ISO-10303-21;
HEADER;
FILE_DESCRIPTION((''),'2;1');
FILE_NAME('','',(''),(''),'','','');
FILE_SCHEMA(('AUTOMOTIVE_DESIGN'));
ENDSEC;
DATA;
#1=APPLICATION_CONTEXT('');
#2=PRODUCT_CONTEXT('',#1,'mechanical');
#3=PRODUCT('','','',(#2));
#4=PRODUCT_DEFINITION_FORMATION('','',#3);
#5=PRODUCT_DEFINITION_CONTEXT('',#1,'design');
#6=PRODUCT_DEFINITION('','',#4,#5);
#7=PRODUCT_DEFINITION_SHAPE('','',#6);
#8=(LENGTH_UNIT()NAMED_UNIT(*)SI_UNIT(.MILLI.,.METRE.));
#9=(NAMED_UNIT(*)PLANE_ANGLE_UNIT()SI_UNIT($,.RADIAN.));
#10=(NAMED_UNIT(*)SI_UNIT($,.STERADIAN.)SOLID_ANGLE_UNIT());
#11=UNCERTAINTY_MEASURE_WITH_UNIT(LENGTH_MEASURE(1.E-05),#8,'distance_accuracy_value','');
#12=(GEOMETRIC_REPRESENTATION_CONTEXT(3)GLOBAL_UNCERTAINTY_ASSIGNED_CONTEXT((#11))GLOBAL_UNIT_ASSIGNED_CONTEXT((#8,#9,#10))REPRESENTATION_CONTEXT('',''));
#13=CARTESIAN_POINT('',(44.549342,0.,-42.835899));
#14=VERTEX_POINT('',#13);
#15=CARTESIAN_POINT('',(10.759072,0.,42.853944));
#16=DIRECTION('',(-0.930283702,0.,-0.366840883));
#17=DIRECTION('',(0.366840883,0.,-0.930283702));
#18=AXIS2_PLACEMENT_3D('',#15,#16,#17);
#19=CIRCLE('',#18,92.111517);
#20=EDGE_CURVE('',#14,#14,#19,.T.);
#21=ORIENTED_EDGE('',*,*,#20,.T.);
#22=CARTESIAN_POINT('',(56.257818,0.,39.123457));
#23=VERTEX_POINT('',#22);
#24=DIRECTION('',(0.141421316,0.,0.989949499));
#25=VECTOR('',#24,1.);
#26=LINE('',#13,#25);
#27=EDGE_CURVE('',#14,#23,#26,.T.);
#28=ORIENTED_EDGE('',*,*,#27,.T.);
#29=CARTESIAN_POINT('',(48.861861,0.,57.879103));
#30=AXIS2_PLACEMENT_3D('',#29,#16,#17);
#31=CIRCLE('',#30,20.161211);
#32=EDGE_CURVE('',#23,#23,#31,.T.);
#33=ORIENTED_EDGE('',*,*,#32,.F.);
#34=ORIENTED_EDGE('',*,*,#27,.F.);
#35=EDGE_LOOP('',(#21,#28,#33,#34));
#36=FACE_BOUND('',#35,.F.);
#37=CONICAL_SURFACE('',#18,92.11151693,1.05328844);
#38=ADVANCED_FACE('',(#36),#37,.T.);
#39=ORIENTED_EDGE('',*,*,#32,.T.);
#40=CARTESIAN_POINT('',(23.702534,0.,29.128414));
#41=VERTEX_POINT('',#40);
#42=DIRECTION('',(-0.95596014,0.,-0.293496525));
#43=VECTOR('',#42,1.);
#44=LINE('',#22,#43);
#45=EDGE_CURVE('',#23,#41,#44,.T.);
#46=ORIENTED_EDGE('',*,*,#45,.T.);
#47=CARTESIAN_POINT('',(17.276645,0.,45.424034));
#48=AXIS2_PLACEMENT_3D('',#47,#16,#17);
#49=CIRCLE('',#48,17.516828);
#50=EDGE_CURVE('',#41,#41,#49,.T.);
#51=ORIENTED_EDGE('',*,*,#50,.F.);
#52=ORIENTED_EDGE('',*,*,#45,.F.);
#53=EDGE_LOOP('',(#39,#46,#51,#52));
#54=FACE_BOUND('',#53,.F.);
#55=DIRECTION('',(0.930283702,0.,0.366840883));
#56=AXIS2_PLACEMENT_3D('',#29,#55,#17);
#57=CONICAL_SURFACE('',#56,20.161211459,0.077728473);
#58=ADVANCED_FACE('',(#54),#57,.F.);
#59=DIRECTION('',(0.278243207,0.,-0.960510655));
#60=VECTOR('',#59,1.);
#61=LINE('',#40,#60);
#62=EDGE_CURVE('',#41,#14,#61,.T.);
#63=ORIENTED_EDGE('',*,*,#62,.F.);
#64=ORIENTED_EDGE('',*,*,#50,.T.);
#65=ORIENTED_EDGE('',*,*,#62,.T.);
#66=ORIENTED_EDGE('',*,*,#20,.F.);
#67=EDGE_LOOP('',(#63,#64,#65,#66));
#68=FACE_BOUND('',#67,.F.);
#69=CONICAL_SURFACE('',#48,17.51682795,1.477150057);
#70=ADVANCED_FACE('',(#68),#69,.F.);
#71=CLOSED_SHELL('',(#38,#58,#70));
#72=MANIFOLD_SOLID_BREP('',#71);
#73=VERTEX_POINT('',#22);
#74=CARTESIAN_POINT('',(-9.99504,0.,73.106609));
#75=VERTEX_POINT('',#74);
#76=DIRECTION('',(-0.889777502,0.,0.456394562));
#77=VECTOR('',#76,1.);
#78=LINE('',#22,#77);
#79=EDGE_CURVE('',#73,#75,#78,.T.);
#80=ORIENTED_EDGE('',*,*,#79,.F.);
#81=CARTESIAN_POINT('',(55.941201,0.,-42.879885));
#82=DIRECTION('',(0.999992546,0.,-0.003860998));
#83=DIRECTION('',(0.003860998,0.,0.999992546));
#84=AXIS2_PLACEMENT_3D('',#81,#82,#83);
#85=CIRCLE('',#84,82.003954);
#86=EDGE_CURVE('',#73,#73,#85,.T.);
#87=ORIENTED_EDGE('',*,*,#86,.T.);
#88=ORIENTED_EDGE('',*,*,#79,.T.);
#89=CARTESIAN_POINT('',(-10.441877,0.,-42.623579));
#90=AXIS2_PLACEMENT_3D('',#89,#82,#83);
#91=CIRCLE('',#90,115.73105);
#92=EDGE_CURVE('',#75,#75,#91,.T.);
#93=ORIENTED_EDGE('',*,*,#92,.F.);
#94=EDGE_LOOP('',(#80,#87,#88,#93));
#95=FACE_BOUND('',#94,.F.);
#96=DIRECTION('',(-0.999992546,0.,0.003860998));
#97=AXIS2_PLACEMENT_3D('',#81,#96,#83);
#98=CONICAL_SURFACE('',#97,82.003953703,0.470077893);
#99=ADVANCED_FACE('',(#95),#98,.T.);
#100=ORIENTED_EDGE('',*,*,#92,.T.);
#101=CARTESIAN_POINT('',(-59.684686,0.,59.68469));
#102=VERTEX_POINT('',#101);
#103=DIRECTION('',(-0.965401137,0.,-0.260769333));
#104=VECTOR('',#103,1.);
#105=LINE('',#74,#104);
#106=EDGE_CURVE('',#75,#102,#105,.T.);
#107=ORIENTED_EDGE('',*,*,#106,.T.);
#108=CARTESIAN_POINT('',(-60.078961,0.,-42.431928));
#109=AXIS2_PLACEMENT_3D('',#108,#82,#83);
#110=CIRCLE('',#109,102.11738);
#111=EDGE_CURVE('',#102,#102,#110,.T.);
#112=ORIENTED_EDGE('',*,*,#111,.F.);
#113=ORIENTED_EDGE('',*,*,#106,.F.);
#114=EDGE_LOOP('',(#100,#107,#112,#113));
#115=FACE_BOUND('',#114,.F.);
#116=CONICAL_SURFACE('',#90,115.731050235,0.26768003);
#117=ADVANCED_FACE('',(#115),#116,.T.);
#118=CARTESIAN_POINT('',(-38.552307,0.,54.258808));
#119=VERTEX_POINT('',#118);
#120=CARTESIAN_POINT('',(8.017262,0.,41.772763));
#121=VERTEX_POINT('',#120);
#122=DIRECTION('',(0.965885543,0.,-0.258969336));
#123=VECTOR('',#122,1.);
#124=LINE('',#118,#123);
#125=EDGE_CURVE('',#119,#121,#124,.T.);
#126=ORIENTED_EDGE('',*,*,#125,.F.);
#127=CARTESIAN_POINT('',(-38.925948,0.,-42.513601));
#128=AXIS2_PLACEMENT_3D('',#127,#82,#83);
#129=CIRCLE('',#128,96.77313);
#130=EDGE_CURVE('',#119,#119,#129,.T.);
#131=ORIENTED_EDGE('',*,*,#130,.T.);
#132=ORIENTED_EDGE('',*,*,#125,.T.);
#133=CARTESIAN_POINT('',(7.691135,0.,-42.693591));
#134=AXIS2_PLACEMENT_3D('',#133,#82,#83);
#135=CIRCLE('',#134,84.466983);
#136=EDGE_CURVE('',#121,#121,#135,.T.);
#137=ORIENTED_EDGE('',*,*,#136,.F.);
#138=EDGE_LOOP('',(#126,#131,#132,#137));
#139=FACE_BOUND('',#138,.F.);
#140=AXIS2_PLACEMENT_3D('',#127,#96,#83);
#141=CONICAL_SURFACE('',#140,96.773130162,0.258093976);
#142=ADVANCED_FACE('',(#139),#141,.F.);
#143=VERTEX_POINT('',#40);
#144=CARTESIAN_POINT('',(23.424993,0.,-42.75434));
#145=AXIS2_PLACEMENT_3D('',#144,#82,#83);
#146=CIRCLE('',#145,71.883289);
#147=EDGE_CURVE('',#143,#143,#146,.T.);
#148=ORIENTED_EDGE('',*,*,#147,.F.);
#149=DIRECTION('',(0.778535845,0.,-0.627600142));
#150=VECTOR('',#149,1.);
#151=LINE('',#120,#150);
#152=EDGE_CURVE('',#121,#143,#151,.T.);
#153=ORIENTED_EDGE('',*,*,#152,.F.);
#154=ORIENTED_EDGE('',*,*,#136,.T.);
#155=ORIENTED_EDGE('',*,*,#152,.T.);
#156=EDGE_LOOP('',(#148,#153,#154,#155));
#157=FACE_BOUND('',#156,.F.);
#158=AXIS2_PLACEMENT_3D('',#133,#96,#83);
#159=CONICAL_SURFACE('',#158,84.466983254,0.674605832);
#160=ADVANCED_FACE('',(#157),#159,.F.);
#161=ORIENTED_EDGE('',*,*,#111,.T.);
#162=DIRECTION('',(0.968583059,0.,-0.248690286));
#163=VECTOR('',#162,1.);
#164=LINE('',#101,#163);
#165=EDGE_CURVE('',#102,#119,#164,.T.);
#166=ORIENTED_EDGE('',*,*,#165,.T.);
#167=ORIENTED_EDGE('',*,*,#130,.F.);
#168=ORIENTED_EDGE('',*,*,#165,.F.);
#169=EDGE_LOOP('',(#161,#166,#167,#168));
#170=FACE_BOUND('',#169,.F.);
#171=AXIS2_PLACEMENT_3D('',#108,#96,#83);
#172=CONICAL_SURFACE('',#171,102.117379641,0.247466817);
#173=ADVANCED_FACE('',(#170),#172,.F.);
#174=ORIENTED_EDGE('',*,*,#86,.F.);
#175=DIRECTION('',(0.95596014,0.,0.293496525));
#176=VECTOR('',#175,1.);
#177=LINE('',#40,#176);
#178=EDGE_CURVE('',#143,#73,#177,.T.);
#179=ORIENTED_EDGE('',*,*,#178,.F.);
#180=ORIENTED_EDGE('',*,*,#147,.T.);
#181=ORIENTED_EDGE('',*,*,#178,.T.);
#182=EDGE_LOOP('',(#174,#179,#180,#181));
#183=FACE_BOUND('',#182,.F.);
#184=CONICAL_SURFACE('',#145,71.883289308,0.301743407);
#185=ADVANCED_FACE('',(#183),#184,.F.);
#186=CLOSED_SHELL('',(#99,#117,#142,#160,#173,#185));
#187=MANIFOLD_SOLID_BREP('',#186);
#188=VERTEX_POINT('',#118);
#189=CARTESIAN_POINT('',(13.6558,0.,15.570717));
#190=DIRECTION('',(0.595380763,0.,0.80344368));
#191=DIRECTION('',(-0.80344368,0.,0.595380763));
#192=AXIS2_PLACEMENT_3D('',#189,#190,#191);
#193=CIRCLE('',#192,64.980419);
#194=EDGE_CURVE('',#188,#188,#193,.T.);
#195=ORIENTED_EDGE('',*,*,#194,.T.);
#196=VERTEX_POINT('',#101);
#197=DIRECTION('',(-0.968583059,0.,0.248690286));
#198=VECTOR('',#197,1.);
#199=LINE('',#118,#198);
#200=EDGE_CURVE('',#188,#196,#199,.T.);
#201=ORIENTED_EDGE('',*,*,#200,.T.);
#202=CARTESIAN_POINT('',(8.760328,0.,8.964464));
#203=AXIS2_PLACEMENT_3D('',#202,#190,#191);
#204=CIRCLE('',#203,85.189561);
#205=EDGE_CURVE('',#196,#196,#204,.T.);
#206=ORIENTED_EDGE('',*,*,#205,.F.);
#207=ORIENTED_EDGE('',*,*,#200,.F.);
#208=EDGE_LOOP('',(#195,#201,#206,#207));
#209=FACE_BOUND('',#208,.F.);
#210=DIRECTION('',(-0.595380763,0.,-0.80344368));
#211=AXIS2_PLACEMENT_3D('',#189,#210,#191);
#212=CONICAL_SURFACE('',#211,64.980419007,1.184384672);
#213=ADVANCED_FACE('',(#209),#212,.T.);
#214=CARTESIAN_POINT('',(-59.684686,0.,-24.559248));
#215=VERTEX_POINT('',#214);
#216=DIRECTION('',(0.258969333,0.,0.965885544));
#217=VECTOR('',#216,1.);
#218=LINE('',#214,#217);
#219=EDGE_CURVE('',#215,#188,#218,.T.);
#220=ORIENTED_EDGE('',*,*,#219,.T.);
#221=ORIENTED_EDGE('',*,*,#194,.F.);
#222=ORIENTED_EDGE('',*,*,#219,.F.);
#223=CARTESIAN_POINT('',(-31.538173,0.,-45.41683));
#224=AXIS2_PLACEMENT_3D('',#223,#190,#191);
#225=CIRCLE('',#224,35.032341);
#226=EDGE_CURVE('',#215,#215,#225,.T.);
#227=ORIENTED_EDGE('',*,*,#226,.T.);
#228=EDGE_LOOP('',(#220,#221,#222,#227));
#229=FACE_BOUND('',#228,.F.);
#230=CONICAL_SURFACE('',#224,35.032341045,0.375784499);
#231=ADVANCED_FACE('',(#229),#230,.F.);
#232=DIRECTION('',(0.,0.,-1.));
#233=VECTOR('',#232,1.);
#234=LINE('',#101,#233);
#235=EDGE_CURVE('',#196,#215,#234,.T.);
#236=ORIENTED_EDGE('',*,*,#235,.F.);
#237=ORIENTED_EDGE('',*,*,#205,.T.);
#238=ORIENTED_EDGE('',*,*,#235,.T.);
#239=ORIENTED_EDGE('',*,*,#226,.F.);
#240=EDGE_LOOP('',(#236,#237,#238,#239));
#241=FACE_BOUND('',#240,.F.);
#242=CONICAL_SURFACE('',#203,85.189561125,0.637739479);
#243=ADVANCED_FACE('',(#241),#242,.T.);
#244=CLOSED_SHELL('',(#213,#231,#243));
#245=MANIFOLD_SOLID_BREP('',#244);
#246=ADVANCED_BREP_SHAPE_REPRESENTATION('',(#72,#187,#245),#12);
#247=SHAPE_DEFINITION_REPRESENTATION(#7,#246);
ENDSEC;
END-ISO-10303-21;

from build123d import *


with BuildPart() as f1:
    # F0 (on Front) → F1 (revolve)
    with BuildSketch(Plane.XZ):
        Polygon((-38.552307, 54.258808), (8.017262, 41.772763), (23.702534, 29.128414), (56.257818, 39.123457), (-9.99504, 73.106609), (-59.684686, 59.68469), align=None)
    revolve(axis=Axis((7.56768, 0, -42.693114), (0.999993, 0, -0.003861)))


with BuildPart() as f2:
    # F0 (on Front) → F2 (revolve)
    with BuildSketch(Plane.XZ):
        Polygon((56.257818, 39.123457), (23.702534, 29.128414), (44.549342, -42.835899), align=None)
    revolve(axis=Axis((-15.981456, 0, 32.309291), (-0.930284, 0, -0.366841)))


with BuildPart() as f3:
    # F0 (on Front) → F3 (revolve)
    with BuildSketch(Plane.XZ):
        Polygon((-59.684686, 59.68469), (-59.684686, -24.559248), (-38.552307, 54.258808), align=None)
    revolve(axis=Axis((-2.855725, 0, -6.710958), (0.595381, 0, 0.803444)))


solid = Compound([f1.part, f2.part, f3.part])
